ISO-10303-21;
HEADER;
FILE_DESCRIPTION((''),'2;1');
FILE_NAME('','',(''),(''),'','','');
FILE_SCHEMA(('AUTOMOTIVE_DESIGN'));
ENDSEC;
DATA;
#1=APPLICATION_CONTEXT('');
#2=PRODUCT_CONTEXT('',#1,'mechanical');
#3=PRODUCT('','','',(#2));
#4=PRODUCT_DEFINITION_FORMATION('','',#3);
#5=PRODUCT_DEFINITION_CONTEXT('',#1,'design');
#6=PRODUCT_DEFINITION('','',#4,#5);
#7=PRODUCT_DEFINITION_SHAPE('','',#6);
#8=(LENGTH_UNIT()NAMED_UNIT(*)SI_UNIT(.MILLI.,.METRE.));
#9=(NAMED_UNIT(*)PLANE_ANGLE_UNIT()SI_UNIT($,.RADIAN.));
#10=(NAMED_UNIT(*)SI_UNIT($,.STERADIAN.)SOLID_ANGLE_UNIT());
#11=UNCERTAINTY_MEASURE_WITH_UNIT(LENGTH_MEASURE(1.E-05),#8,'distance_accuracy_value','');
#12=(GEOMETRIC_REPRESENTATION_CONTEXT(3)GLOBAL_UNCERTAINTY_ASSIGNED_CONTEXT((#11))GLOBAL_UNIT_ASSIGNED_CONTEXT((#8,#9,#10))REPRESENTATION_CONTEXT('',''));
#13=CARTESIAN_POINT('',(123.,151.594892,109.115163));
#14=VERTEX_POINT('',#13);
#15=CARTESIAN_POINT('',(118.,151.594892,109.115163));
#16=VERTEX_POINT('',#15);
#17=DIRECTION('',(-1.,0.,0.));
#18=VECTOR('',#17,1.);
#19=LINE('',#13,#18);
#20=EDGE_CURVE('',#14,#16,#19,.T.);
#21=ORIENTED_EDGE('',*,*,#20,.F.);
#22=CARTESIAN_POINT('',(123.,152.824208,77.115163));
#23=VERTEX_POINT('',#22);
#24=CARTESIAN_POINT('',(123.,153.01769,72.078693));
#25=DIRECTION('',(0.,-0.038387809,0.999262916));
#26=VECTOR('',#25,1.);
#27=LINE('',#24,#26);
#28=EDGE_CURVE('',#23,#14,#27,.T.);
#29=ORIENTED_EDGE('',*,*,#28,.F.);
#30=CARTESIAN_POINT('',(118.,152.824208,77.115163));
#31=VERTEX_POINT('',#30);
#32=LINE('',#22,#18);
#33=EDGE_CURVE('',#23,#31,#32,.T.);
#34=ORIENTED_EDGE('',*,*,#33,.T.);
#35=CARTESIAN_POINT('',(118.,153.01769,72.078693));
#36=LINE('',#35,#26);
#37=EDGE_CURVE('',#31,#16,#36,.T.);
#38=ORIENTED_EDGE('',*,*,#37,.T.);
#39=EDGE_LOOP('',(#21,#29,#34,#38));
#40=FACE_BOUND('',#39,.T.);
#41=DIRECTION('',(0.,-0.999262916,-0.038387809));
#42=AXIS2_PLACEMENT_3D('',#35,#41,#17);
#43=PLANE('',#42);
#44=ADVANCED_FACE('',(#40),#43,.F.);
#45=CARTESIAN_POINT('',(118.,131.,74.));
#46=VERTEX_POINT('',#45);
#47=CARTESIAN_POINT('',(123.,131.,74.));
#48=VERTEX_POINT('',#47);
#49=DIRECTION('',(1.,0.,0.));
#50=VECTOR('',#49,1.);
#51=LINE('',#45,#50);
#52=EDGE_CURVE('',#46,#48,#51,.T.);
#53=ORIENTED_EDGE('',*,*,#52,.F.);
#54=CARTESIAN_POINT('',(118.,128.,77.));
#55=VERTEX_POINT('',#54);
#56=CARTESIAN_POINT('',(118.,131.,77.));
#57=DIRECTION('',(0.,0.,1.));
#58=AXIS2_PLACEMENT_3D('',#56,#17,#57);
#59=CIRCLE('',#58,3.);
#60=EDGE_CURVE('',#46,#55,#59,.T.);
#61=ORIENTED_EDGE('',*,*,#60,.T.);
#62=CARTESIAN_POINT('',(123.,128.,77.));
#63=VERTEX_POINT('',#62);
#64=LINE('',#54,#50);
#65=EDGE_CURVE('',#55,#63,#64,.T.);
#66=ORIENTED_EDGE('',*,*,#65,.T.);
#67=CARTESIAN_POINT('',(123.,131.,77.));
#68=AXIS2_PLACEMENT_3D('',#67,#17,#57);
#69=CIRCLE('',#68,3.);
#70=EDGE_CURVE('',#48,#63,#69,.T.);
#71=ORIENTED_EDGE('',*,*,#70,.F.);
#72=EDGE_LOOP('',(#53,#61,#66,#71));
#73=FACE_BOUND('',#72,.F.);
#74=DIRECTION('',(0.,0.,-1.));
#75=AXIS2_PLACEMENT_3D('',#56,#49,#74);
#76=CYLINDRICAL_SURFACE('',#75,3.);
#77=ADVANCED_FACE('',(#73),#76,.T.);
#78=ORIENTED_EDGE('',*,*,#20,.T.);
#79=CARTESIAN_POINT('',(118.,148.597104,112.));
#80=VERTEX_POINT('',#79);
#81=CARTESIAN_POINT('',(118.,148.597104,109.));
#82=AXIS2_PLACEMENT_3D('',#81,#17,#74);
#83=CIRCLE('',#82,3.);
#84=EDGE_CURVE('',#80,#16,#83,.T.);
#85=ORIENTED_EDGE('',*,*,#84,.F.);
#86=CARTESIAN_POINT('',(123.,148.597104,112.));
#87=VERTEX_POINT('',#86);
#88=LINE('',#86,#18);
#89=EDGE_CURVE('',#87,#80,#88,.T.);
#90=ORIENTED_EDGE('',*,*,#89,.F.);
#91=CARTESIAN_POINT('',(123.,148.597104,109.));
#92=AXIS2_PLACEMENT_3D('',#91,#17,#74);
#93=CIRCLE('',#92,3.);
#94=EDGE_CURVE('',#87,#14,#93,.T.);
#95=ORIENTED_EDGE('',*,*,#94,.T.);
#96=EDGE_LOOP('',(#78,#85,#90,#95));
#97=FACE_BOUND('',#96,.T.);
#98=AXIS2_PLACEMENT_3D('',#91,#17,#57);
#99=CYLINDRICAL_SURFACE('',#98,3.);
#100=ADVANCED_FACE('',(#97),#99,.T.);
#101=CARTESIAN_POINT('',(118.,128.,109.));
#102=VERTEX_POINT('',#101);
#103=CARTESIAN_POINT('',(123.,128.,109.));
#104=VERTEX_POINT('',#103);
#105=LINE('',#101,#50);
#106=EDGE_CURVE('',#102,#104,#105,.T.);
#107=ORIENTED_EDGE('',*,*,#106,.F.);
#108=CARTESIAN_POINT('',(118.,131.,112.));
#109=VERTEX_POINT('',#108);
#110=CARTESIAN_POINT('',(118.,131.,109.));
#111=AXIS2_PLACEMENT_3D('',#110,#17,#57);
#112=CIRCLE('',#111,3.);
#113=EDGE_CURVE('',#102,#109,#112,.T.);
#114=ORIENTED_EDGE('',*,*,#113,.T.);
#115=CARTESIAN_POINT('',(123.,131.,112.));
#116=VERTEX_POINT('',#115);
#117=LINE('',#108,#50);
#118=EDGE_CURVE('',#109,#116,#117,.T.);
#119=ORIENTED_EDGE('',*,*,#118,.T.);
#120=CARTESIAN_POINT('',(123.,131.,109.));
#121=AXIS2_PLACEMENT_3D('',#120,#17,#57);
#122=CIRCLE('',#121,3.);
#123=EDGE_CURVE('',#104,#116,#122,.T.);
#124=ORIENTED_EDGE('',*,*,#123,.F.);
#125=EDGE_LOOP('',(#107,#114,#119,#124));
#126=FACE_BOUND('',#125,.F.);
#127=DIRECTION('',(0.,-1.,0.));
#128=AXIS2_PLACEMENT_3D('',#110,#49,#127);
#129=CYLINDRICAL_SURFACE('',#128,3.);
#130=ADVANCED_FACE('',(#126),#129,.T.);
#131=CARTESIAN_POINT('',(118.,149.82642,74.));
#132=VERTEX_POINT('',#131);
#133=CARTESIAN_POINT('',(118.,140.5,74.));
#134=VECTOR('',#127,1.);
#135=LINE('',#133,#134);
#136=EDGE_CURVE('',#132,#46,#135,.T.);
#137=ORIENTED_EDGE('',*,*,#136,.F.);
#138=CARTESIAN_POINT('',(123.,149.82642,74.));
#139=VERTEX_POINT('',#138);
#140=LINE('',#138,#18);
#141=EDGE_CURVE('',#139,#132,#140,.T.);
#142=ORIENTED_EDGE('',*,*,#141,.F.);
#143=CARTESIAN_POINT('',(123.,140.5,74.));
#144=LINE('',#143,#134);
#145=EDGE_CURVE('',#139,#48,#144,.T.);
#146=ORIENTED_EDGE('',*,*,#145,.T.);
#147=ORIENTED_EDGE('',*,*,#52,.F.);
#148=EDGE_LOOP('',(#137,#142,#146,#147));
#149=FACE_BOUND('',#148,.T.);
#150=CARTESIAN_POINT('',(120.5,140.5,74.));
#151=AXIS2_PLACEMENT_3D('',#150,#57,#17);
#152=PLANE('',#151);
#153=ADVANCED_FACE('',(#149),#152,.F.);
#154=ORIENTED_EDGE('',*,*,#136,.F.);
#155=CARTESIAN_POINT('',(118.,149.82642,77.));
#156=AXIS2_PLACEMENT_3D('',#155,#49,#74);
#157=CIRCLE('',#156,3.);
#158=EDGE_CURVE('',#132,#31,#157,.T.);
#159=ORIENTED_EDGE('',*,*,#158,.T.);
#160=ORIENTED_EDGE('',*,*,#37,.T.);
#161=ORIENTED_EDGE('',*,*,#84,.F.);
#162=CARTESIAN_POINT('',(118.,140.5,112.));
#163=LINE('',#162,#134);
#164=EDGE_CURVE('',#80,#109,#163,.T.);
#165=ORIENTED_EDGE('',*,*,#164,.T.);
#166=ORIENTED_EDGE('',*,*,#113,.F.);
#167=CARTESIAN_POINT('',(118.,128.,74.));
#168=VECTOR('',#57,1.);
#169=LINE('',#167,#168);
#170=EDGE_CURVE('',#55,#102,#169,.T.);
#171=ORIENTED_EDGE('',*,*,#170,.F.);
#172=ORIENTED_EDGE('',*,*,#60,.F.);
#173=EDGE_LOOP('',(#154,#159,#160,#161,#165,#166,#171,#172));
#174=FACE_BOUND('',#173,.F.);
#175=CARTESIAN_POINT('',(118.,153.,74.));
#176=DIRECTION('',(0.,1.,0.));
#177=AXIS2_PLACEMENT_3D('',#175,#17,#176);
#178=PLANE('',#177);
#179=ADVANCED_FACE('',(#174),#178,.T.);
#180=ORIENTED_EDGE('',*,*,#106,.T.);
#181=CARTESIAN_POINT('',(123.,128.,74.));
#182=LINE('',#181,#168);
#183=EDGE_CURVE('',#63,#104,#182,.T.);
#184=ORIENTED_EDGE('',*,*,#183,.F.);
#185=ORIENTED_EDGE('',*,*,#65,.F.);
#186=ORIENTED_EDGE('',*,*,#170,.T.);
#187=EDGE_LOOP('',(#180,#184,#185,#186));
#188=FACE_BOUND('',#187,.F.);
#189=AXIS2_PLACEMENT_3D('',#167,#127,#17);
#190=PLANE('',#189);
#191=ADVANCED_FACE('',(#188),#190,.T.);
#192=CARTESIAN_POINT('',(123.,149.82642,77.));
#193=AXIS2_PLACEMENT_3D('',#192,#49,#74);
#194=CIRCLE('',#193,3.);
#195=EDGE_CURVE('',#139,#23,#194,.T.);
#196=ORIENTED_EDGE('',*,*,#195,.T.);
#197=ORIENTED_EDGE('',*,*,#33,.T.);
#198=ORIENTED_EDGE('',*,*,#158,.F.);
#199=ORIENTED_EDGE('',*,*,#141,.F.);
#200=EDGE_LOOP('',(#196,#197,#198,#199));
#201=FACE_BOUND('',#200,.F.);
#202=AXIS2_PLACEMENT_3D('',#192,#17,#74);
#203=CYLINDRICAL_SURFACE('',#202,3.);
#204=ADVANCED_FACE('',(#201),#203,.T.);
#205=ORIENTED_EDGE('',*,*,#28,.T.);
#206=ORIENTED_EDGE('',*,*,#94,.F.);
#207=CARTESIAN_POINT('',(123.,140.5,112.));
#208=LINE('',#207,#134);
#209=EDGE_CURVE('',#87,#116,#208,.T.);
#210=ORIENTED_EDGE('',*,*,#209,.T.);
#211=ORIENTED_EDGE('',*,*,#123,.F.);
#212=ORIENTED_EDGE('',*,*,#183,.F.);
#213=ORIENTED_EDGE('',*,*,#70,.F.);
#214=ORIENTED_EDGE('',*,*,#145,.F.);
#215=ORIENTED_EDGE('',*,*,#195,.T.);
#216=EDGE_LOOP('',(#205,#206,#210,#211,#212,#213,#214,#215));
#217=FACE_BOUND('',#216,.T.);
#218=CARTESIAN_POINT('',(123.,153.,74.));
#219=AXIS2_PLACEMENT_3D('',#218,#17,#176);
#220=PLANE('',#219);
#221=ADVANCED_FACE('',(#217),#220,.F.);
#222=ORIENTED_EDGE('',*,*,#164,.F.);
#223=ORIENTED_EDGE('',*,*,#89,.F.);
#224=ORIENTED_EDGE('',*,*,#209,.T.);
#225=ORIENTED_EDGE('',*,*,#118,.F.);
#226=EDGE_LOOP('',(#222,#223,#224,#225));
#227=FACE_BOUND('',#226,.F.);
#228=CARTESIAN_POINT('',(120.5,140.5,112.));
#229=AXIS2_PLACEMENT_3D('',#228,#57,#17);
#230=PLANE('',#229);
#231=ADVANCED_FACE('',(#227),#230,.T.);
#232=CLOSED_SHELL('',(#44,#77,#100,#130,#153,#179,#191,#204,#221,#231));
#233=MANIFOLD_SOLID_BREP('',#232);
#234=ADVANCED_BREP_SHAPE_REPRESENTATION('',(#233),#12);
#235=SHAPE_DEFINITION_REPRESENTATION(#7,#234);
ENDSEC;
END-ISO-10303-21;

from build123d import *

# Parameters (mm, degrees)
BOX009_W          = 5
BOX009_H          = 24
BOX009_DEPTH      = 40
BOX009_ROLL_ANGLE = -2.2
BOX008_W          = 5
BOX008_H          = 25
BOX008_DEPTH      = 38
FILLET046_R       = 3


with BuildPart() as cube080:
    # Box009 → Box009 (new body)
    with BuildSketch(Plane.XY):
        with Locations((2.5, 12)):
            Rectangle(BOX009_W, BOX009_H)
    extrude(amount=BOX009_DEPTH)


with BuildPart() as cube080_1:
    # Box009 roll: moved
    add(cube080.part.rotate(Axis((0, 0, 0), (1, 0, 0)), BOX009_ROLL_ANGLE))


with BuildPart() as cube080_2:
    # Box009 placement: moved
    add(cube080_1.part.moved(Location((175, -24, -1))))


with BuildPart() as cut003:
    # Box008 → Box008 (new body)
    with BuildSketch(Plane(origin=(175, 0, 0), x_dir=(1, 0, 0), z_dir=(0, 0, 1))):
        with Locations((2.5, 12.5)):
            Rectangle(BOX008_W, BOX008_H)
    extrude(amount=BOX008_DEPTH)

    # Cut003: cut Cube080
    add(cube080_2.part, mode=Mode.SUBTRACT)


with BuildPart() as cut003_1:
    # Cut003 placement: moved
    add(cut003.part.moved(Location((0, 1, 1))))


with BuildPart() as fillet046:
    # Part__Mirroring001: instance of Cut003
    add(cut003_1.part.mirror(Plane(origin=(0, 0, 0), x_dir=(1, 0, 0), z_dir=(0, 1, 0))))


with BuildPart() as fillet046_1:
    # Part__Mirroring001 placement: moved
    add(fillet046.part.moved(Location((-57, 154, 73))))

    # Fillet046
    fillet046_edges = [fillet046_1.edges().sort_by_distance(p)[0] for p in [
        (120.5, 128, 74),
        (120.5, 128, 112),
        (120.5, 152.943881, 74),
        (120.5, 151.484068, 112),
    ]]
    fillet(fillet046_edges, radius=FILLET046_R)


solid = fillet046_1.part
